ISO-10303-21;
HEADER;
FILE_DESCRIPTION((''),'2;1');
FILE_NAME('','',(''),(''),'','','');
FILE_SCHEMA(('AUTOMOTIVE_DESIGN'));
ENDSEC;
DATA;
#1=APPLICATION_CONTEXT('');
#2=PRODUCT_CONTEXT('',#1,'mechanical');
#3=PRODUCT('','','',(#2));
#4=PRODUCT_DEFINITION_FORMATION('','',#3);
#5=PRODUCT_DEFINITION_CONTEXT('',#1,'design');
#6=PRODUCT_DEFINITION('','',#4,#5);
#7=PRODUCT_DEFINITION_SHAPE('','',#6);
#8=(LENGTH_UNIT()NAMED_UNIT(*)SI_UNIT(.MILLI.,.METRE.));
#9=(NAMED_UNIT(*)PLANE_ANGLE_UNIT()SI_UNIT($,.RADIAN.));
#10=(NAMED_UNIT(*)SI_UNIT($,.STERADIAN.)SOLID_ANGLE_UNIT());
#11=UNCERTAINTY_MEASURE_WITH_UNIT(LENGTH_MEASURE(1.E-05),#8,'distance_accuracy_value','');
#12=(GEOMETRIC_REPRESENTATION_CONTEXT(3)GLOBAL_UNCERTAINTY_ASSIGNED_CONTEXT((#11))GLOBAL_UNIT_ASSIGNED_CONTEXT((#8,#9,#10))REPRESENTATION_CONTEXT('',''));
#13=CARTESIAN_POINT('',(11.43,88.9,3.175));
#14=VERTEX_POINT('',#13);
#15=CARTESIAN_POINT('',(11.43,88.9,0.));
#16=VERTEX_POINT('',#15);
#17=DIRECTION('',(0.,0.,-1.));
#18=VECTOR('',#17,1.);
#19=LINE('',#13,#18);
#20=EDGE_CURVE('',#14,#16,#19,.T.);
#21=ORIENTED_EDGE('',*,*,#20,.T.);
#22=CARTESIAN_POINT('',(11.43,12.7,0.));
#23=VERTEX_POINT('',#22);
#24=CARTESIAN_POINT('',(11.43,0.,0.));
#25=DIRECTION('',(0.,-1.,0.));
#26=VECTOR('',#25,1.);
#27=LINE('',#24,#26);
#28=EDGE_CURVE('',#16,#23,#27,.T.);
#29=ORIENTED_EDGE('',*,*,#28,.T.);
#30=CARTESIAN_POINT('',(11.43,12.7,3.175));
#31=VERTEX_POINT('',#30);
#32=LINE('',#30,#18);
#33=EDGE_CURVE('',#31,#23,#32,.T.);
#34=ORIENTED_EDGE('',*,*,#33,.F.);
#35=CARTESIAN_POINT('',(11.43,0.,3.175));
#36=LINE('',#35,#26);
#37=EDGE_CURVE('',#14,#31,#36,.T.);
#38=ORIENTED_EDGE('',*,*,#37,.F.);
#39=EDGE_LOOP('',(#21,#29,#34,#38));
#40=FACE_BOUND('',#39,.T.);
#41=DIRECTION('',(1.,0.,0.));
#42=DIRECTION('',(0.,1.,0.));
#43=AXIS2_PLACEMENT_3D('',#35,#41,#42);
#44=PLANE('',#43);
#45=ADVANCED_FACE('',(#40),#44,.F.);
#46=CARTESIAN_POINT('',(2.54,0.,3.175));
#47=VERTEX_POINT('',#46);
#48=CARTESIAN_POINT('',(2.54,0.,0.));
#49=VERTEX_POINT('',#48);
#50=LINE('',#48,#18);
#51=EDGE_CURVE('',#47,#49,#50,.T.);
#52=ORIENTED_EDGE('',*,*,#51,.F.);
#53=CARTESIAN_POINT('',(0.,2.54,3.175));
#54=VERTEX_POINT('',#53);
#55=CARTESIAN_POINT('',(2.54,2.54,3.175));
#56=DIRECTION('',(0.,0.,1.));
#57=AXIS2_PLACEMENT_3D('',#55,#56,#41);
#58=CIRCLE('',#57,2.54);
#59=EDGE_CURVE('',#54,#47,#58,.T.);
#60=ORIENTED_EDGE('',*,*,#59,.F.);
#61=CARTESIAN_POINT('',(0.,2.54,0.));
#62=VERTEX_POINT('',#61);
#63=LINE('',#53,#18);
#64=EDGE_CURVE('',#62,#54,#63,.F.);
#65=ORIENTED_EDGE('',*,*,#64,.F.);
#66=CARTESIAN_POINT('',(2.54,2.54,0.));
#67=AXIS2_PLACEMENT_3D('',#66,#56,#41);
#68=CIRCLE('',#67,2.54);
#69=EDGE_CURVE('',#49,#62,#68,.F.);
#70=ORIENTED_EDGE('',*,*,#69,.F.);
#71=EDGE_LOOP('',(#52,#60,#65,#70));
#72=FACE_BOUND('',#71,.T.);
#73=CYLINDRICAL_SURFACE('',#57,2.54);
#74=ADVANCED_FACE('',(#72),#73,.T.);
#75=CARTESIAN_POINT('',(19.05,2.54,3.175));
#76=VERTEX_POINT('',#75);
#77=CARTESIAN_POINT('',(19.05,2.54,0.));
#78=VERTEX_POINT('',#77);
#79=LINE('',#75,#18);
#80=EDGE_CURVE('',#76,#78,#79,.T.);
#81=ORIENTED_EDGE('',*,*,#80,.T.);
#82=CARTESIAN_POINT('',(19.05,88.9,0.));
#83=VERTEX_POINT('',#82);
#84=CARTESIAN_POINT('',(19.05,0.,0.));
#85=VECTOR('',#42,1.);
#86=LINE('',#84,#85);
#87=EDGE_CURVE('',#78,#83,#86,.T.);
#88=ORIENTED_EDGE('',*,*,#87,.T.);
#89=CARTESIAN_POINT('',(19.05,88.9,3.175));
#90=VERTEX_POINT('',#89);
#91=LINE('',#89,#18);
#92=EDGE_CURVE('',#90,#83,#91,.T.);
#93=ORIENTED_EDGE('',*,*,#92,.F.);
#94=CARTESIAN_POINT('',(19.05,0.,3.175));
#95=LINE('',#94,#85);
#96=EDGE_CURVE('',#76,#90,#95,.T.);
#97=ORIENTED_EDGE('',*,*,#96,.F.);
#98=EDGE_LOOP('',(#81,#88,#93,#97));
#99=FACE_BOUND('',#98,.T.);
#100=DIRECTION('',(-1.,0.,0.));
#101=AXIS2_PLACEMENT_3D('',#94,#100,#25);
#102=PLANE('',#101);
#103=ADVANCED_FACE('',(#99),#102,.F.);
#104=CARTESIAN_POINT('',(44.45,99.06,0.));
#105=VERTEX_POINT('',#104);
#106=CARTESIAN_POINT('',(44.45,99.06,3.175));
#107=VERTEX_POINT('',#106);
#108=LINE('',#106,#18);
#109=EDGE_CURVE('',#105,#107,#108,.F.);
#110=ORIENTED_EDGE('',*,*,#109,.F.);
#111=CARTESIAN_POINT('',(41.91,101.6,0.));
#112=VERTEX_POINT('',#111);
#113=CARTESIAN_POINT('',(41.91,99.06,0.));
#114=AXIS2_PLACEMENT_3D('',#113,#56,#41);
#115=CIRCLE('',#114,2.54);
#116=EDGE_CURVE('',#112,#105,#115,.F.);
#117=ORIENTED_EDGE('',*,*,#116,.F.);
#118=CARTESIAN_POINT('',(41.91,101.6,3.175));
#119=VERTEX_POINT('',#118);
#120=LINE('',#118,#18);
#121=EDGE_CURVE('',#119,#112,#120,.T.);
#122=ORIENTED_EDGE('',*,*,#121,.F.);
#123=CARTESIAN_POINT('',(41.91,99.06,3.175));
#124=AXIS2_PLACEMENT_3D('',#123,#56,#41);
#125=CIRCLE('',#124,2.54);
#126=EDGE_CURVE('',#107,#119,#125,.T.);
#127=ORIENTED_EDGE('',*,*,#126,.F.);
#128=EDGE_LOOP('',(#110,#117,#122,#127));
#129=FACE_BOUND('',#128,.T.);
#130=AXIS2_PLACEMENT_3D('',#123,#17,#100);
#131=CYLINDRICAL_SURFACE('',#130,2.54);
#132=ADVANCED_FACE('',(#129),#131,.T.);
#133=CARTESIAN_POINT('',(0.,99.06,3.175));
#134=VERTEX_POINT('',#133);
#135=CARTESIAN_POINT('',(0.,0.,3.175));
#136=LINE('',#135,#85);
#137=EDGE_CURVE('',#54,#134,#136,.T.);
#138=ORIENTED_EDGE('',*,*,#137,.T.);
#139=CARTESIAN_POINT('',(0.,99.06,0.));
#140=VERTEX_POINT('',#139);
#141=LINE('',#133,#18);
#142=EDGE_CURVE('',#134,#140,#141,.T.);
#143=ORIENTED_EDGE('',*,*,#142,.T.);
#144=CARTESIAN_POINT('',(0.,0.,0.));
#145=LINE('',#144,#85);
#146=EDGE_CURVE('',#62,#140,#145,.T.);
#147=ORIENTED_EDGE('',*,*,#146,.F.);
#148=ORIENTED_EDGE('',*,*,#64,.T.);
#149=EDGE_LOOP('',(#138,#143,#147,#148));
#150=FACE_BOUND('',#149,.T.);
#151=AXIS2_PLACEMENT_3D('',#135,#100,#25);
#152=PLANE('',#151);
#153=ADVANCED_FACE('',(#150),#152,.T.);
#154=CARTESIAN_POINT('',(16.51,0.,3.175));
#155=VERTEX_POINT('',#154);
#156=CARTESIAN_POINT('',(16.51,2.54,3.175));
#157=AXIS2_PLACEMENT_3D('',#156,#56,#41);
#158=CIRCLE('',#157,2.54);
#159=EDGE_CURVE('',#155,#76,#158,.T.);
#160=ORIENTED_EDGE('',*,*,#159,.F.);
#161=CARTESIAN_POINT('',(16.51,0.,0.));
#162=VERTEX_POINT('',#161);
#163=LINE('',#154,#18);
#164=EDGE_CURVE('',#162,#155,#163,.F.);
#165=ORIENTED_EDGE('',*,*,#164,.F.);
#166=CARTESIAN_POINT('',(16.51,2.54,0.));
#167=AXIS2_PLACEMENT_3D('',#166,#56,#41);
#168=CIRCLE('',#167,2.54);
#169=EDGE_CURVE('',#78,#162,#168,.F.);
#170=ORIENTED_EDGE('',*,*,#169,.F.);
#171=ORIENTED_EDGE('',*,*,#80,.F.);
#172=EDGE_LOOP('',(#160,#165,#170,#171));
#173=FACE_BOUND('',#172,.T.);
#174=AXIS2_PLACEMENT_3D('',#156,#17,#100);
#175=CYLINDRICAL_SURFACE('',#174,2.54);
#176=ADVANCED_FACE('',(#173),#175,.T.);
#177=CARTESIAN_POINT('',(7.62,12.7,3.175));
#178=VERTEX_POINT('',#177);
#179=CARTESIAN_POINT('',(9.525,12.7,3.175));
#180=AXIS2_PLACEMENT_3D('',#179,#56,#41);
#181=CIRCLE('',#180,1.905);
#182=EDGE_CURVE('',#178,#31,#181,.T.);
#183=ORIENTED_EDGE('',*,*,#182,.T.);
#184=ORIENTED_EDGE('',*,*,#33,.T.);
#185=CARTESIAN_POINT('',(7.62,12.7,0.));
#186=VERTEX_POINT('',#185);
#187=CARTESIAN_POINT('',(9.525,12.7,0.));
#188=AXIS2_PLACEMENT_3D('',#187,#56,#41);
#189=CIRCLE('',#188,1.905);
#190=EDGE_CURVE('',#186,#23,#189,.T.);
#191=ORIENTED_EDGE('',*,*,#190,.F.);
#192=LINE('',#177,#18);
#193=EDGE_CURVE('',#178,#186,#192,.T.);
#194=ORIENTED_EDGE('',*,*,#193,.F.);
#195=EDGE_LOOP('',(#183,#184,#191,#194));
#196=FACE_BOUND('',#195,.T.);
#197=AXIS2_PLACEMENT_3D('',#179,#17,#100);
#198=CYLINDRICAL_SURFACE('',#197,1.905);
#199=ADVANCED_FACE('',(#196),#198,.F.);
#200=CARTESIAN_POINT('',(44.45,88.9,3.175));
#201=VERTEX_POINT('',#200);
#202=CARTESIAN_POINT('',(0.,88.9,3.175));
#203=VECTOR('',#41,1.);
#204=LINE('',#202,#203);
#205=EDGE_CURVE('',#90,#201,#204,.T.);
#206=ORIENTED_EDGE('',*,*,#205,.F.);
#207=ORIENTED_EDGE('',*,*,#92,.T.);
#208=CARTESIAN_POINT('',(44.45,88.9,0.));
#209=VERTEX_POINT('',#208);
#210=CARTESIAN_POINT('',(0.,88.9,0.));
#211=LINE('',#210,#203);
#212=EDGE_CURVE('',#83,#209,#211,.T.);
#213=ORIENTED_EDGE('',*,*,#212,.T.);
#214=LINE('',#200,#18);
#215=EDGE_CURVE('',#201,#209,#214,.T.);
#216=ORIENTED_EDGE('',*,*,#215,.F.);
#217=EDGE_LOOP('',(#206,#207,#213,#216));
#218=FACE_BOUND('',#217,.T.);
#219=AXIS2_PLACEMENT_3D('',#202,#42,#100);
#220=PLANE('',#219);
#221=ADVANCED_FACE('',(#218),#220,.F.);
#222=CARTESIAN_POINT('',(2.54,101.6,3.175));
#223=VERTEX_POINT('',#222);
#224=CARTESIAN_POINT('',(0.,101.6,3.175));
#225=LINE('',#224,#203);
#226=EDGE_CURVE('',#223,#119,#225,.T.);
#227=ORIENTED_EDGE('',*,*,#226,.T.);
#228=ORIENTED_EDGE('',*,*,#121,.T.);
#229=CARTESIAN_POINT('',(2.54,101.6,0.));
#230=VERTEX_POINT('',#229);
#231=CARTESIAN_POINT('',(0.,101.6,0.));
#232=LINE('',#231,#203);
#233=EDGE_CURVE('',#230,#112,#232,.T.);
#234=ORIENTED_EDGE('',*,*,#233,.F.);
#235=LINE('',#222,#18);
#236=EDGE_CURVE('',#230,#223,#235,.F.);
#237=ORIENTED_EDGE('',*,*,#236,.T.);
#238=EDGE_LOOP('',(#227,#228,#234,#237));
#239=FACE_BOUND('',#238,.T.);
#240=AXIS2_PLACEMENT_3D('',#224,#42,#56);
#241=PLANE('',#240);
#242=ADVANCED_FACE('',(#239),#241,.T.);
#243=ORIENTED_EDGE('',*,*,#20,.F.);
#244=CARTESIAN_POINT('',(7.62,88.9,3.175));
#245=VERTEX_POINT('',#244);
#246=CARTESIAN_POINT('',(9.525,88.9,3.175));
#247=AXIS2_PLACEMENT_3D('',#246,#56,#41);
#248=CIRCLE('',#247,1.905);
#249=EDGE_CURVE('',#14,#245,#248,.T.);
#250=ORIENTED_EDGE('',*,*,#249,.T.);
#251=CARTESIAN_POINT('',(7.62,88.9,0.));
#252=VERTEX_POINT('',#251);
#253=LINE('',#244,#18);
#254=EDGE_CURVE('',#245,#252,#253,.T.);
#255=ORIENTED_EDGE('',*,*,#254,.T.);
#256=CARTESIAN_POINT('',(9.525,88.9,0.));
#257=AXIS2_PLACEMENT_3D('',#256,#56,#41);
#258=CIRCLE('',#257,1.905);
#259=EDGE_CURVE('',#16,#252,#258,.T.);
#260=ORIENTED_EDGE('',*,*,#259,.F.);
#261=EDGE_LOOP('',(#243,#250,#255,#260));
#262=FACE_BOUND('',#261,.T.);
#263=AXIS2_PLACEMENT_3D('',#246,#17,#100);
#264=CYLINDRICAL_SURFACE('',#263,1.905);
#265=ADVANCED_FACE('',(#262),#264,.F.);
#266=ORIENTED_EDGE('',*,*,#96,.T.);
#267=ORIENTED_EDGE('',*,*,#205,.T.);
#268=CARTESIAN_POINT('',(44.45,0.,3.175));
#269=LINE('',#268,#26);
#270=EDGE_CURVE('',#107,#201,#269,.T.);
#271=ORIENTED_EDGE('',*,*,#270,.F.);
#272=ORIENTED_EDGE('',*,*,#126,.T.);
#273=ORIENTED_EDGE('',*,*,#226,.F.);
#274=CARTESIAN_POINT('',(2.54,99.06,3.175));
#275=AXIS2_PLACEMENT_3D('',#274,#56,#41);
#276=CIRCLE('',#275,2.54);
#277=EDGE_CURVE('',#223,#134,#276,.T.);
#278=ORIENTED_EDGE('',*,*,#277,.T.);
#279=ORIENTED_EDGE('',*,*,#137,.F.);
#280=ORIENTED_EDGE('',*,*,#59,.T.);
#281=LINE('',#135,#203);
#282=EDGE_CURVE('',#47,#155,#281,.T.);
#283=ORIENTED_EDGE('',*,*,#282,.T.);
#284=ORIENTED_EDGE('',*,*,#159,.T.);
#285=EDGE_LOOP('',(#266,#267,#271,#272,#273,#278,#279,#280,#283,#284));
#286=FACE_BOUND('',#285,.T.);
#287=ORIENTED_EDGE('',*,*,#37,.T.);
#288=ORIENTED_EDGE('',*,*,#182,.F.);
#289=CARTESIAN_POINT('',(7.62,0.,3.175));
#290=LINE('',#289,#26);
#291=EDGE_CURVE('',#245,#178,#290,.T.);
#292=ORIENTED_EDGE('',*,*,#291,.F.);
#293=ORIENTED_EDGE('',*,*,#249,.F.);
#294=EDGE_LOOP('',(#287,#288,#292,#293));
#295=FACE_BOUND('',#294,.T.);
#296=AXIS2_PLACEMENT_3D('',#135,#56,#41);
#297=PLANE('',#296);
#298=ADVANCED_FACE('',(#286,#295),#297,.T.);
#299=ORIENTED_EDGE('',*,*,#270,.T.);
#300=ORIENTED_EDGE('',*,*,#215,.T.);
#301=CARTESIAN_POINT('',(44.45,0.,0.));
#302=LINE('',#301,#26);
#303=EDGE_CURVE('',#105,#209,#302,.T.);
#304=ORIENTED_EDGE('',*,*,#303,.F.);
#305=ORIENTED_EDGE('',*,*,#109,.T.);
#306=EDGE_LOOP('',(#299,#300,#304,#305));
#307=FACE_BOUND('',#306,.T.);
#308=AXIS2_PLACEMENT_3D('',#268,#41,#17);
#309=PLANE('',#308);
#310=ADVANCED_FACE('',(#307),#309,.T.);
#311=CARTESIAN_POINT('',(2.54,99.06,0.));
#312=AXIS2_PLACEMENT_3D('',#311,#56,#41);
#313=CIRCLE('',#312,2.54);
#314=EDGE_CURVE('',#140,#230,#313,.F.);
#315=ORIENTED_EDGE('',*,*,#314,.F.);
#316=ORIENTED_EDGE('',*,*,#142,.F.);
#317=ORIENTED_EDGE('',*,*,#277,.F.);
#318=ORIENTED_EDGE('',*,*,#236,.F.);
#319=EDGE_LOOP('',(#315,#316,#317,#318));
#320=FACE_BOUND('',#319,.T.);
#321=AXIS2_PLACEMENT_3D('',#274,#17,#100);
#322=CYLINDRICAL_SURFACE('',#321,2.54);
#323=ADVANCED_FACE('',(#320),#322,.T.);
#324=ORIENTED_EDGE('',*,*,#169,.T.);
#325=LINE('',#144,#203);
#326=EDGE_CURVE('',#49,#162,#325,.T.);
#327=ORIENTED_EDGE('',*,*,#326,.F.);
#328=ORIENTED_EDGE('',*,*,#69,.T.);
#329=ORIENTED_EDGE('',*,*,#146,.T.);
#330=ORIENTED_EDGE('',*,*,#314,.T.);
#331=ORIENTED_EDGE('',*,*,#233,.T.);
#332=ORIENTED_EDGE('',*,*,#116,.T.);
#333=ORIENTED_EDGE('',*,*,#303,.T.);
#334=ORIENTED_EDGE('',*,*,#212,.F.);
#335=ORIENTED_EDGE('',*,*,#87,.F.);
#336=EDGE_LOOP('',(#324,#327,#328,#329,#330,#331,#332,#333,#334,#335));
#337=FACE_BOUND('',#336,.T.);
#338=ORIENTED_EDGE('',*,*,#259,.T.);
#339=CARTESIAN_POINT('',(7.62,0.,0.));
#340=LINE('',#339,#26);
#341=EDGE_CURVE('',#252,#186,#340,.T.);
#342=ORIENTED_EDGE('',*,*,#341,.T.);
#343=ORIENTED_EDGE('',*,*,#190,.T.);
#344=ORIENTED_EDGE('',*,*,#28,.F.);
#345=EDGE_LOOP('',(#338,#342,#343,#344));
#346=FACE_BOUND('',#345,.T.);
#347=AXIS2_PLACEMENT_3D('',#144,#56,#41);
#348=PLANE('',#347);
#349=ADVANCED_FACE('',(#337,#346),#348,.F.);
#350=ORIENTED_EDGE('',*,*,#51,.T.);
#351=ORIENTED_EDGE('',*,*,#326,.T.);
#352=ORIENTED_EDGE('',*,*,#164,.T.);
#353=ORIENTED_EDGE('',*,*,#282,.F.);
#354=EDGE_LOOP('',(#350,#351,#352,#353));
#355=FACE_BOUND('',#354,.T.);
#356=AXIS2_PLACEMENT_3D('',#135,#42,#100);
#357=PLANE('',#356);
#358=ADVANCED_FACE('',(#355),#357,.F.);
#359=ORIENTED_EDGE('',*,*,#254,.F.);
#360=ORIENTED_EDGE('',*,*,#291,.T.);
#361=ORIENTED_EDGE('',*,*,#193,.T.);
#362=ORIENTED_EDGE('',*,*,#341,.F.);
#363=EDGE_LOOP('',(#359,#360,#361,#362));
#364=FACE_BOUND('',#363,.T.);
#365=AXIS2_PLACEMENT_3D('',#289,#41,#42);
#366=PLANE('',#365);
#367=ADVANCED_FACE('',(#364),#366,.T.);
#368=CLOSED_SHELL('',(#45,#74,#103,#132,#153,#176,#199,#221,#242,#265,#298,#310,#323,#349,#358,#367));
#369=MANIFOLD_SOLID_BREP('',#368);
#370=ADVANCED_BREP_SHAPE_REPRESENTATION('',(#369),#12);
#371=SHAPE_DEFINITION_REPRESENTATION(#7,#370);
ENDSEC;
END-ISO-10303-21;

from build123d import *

# Parameters (mm, degrees)
SKETCH1_W           = 25.4
SKETCH1_H           = 12.7
BOSS_EXTRUDE1_DEPTH = 3.175
FILLET1_R           = 2.54


with BuildPart() as part:
    # Sketch1 → Boss-Extrude1 (new body)
    # profile 1 of 2: a face of its own
    with BuildSketch(Plane.XY):
        Polygon((0, 101.6), (0, 0), (19.05, 0), (19.05, 88.9), (19.05, 101.6), align=None)
        with BuildLine():
            ThreePointArc((7.62, 88.9), (9.525, 90.805), (11.43, 88.9))
            Line((11.43, 88.9), (11.43, 12.7))
            ThreePointArc((11.43, 12.7), (9.525, 10.795), (7.62, 12.7))
            Line((7.62, 12.7), (7.62, 88.9))
        make_face(mode=Mode.SUBTRACT)
    # profile 2 of 2: a face of its own
    with BuildSketch(Plane.XY):
        with Locations((31.75, 95.25)):
            Rectangle(SKETCH1_W, SKETCH1_H)
    extrude(amount=BOSS_EXTRUDE1_DEPTH)

    # Fillet1
    fillet1_edges = [part.edges().sort_by_distance(p)[0] for p in [
        (19.05, 0, 1.5875),
        (0, 0, 1.5875),
        (44.45, 101.6, 1.5875),
        (0, 101.6, 1.5875),
    ]]
    fillet(fillet1_edges, radius=FILLET1_R)


solid = part.part
